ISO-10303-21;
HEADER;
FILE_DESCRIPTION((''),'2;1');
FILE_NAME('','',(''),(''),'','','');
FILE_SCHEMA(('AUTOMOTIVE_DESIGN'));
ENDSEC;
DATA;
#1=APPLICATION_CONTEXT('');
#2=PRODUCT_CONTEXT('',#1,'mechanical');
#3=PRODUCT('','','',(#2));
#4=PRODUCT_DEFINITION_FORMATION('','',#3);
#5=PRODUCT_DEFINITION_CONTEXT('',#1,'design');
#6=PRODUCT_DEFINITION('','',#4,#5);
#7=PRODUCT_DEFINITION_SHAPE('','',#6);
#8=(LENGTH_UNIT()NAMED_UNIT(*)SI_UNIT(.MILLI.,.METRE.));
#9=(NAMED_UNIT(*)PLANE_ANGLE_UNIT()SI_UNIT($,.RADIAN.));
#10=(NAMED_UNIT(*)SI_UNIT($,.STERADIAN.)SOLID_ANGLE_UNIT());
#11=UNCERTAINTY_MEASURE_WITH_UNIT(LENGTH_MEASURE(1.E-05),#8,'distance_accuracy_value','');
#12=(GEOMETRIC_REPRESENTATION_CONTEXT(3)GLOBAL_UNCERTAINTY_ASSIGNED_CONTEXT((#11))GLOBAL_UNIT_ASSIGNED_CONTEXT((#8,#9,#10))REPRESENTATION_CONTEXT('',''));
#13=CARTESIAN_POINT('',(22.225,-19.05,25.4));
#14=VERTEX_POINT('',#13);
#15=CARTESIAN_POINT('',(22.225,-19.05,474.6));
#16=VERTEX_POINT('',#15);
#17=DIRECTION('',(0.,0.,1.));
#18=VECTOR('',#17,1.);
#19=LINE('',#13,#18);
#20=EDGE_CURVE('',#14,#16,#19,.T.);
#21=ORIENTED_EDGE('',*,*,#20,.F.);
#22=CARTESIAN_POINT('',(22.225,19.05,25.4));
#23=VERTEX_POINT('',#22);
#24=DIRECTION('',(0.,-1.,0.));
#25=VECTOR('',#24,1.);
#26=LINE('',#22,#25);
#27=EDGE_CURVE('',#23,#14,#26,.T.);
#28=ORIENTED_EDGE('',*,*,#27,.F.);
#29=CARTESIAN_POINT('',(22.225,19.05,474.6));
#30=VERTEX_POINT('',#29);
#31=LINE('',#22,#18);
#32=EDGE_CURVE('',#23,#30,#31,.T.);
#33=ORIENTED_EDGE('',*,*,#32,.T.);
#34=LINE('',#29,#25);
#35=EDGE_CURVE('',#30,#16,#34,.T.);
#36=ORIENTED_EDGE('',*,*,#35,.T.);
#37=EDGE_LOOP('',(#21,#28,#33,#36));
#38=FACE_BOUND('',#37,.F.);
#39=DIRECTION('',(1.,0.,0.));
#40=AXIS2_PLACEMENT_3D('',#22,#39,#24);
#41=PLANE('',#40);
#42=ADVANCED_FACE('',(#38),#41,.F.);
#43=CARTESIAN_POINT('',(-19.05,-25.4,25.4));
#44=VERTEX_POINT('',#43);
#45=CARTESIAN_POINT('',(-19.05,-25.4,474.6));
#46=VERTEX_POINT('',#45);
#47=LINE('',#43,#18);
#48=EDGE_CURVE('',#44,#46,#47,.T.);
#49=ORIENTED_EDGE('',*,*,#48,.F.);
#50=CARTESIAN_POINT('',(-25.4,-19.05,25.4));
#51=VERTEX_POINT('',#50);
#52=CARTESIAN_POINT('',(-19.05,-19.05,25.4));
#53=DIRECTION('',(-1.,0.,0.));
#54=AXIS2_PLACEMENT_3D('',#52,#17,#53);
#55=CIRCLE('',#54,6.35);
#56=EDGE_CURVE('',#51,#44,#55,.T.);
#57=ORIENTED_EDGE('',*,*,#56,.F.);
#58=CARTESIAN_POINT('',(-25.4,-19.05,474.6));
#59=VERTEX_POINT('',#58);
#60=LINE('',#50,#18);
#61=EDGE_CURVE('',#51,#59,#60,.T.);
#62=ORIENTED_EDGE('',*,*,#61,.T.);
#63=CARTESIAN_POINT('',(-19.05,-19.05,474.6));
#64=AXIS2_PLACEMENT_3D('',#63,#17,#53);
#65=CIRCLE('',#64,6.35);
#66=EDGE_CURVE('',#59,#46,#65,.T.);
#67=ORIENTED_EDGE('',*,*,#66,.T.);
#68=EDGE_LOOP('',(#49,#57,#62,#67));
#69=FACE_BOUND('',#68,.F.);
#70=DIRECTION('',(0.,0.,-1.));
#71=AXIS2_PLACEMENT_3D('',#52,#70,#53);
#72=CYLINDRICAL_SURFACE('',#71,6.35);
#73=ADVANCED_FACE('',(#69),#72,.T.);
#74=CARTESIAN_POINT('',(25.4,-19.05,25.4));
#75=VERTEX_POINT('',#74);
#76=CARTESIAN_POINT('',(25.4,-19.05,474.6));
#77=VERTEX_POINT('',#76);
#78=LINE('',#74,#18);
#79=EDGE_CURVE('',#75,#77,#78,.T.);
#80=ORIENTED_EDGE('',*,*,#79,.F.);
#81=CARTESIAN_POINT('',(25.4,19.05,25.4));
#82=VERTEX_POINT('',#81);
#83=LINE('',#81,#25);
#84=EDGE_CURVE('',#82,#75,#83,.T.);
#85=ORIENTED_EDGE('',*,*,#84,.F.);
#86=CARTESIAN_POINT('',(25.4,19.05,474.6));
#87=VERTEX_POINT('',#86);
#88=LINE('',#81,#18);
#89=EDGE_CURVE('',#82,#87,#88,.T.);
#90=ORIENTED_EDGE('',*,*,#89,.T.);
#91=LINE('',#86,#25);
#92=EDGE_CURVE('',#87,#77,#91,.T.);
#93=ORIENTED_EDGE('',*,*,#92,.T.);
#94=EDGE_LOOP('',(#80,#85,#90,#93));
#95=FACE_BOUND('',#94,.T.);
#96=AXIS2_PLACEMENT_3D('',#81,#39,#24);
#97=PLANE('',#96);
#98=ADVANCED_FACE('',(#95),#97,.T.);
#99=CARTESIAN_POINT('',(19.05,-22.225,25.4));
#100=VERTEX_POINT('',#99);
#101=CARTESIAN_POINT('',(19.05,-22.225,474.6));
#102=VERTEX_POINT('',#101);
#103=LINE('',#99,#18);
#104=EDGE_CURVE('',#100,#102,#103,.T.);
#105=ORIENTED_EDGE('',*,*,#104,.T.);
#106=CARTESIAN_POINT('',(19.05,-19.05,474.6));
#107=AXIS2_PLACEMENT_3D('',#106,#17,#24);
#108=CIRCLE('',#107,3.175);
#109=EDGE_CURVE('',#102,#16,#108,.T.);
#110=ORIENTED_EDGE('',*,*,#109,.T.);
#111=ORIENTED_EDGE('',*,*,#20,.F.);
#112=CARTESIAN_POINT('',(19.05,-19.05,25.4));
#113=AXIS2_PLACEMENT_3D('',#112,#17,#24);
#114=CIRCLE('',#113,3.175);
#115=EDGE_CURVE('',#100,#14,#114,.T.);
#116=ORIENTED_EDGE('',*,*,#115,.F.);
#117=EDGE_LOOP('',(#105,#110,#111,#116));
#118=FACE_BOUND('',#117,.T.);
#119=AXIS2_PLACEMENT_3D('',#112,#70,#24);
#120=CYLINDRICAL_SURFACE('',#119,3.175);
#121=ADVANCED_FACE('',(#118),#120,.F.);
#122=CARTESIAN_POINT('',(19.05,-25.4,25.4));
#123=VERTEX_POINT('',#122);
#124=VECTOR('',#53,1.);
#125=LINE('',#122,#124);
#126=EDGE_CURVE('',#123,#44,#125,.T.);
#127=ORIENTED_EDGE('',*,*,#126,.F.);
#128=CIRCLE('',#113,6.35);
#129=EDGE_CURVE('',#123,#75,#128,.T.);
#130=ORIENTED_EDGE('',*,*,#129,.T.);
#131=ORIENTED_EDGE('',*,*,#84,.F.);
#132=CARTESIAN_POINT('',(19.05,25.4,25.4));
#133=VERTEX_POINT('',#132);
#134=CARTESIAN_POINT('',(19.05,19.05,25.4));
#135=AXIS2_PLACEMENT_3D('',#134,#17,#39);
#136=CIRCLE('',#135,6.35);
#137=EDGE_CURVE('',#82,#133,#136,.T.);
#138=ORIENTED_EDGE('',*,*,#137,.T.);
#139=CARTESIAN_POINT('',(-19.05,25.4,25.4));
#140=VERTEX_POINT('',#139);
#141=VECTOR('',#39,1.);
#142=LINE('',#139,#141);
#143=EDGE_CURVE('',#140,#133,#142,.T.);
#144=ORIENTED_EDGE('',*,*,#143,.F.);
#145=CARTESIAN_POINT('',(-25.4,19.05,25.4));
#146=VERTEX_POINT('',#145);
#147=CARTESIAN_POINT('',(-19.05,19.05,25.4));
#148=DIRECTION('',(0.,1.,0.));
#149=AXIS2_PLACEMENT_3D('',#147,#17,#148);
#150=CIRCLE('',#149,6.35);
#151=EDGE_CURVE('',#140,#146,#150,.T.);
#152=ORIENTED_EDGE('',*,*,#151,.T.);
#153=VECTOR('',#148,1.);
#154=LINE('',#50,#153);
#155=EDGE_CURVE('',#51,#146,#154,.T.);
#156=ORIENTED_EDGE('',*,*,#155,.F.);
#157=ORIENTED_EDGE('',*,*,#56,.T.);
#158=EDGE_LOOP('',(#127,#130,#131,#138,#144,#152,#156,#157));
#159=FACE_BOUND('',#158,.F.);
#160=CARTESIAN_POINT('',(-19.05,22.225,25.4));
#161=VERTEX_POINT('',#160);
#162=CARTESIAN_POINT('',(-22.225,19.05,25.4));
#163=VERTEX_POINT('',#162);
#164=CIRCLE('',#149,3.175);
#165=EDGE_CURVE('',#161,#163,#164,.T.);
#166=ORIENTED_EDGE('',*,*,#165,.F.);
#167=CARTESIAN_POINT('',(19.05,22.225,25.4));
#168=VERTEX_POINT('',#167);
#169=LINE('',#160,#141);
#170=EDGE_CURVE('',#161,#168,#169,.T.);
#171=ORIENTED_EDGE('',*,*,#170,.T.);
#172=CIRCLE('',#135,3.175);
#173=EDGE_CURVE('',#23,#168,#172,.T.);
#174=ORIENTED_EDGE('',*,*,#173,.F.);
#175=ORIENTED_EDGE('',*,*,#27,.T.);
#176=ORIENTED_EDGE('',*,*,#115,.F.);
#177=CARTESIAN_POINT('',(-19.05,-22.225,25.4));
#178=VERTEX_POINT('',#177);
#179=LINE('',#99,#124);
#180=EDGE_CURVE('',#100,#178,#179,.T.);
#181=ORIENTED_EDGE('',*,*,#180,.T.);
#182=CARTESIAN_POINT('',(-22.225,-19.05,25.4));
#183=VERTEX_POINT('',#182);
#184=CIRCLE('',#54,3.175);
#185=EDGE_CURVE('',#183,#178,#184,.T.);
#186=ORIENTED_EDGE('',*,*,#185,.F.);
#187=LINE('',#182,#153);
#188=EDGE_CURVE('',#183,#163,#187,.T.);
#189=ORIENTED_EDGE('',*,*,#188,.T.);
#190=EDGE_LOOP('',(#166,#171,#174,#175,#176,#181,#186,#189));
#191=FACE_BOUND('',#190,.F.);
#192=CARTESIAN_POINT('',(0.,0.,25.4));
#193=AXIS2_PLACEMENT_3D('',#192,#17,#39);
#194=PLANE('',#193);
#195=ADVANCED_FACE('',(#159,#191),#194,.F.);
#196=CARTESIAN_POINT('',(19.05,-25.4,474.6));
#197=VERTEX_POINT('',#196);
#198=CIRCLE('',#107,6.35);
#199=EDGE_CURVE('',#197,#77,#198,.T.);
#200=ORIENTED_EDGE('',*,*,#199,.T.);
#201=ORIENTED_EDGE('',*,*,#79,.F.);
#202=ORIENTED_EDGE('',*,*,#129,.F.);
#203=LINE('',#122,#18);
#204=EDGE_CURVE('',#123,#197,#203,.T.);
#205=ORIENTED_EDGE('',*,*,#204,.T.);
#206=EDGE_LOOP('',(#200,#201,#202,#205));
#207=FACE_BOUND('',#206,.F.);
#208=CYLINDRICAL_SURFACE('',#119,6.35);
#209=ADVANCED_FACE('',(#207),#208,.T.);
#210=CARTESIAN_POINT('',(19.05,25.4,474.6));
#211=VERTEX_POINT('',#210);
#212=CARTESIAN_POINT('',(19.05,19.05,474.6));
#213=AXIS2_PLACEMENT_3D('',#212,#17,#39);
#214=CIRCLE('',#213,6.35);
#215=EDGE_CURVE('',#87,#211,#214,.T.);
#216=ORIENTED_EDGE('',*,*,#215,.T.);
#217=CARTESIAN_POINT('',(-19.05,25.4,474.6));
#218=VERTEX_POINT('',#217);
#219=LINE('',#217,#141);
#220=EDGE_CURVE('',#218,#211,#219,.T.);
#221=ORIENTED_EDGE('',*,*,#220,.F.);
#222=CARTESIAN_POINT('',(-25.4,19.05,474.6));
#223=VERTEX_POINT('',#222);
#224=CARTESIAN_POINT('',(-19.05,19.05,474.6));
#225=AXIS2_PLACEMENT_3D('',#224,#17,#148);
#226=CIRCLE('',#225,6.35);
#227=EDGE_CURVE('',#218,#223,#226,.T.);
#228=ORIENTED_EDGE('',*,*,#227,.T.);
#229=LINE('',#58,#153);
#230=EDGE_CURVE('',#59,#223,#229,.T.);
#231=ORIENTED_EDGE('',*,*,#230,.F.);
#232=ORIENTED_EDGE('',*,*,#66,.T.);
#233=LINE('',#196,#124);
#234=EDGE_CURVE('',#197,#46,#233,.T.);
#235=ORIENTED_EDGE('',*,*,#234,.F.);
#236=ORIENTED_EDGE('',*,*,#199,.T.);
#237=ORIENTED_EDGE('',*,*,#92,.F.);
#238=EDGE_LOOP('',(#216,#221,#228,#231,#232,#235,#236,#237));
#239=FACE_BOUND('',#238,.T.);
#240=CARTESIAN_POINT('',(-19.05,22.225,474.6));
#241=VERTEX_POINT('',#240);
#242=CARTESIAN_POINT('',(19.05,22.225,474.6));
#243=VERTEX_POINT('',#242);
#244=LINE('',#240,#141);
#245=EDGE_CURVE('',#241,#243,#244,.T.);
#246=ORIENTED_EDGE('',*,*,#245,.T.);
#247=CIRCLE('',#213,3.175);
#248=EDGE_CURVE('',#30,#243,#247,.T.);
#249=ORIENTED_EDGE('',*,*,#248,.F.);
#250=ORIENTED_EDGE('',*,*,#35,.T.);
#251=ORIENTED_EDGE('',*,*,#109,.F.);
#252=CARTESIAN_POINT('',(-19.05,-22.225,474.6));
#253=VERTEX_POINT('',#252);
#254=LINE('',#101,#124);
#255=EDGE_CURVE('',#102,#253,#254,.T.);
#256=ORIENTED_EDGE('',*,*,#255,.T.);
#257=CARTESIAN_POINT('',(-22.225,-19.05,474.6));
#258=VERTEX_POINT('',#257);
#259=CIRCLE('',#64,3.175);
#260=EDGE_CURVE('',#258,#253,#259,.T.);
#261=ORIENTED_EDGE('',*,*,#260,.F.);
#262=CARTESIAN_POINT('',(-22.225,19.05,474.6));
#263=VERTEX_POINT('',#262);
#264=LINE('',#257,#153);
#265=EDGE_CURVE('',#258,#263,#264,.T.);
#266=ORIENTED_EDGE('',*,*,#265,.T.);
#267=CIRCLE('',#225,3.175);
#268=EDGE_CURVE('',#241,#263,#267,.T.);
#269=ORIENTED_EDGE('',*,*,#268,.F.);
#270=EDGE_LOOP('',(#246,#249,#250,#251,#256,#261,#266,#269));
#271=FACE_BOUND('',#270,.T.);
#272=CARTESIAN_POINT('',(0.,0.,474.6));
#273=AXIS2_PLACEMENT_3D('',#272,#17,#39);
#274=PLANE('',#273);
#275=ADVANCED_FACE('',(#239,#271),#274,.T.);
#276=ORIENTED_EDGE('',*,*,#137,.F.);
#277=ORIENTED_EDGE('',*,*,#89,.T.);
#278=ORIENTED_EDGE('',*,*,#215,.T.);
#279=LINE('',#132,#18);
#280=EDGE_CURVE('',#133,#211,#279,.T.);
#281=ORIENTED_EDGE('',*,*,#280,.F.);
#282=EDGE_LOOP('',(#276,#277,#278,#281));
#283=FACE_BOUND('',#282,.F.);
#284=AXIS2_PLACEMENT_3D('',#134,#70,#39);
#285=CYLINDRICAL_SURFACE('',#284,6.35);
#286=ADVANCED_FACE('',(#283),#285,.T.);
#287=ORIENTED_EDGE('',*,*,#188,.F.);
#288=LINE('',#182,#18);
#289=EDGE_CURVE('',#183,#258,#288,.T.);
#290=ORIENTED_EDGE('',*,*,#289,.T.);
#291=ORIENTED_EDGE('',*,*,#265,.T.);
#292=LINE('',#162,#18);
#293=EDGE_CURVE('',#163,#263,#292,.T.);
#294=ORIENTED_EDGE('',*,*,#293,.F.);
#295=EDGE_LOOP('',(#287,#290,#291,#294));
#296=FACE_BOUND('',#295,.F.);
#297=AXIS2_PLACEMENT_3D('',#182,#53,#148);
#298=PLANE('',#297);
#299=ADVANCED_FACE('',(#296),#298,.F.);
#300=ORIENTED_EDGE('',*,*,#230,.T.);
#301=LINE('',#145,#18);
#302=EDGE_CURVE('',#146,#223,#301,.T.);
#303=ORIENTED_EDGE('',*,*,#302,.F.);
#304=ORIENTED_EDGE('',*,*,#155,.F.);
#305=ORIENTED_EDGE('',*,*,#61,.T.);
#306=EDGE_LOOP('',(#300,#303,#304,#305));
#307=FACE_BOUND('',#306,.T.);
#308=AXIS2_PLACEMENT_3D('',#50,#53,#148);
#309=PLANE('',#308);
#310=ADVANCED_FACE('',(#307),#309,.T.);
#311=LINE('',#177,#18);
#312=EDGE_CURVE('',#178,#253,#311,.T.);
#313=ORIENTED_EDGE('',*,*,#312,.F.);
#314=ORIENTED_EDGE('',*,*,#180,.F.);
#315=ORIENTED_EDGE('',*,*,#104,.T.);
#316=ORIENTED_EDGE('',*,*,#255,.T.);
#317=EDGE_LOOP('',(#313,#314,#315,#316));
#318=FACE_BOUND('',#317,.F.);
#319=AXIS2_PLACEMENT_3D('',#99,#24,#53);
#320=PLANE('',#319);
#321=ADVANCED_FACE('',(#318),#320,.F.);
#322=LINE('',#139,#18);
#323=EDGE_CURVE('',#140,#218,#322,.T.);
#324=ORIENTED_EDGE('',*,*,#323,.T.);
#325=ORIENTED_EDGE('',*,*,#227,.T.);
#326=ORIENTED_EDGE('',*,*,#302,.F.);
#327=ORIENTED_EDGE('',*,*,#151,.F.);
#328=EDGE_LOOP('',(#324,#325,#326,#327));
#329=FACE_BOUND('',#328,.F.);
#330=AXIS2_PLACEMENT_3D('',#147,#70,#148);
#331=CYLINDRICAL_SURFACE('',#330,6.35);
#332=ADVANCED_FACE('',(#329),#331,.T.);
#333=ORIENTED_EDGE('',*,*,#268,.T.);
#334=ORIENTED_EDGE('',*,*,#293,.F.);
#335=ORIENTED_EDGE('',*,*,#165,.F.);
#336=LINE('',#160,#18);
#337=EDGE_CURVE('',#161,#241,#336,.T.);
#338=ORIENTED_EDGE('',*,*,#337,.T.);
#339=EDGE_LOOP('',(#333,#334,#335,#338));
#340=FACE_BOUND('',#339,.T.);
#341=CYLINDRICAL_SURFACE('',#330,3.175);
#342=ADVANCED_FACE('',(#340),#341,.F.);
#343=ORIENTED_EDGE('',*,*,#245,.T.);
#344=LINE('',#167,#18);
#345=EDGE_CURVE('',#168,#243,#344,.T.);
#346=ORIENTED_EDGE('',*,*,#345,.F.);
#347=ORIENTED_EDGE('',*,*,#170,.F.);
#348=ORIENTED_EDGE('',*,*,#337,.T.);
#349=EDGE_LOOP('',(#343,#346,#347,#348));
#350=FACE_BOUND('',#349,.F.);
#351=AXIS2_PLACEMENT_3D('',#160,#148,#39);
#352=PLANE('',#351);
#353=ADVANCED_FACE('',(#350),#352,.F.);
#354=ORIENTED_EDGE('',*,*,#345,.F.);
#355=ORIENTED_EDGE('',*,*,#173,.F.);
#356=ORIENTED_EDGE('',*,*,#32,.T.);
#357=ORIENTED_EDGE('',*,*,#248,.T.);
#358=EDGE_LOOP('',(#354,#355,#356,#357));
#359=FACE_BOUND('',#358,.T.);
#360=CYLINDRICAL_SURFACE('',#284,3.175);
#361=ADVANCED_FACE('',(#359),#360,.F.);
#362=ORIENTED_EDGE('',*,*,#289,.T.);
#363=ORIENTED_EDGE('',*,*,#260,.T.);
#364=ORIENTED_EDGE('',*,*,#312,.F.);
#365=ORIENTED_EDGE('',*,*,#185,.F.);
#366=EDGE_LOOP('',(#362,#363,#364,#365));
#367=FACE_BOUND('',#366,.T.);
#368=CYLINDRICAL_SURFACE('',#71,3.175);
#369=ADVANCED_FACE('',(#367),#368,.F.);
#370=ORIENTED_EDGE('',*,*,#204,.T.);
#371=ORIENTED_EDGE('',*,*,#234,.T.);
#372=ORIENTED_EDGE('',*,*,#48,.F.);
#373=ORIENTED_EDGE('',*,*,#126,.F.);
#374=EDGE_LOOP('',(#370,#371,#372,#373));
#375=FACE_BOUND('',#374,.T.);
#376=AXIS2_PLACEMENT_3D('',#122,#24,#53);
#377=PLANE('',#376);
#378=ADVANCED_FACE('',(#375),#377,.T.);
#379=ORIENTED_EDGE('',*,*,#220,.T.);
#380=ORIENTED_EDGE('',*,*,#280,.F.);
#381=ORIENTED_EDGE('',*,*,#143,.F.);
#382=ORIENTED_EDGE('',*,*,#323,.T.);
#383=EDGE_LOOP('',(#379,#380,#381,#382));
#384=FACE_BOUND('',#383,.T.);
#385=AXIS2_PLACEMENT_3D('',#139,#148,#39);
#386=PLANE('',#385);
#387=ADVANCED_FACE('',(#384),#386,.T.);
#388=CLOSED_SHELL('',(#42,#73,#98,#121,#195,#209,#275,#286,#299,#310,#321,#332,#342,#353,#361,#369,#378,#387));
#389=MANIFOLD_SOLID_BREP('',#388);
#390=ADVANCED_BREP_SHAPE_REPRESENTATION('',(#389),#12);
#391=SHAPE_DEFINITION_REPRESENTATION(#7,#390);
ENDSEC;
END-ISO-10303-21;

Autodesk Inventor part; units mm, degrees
ref_plane "Plano inicial" through (0, 0, 25.4) normal (0, 0, 1) x (1, 0, 0)
ref_plane "Plano final" through (0, 0, 474.6) normal (0, 0, 1) x (1, 0, 0)
sketch "Boceto" plane through (0, 0, 0) normal (0, 0, 1) x (1, 0, 0)
  line L0 (-25.4, -19.05) -> (-25.4, 19.05)
  line L1 (-19.05, 25.4) -> (19.05, 25.4)
  line L2 (25.4, 19.05) -> (25.4, -19.05)
  line L3 (19.05, -25.4) -> (-19.05, -25.4)
  arc A0 (-25.4, -19.05) -> (-19.05, -25.4) centre (-19.05, -19.05) ccw
  arc A1 (-19.05, 25.4) -> (-25.4, 19.05) centre (-19.05, 19.05) ccw
  arc A2 (25.4, 19.05) -> (19.05, 25.4) centre (19.05, 19.05) ccw
  arc A3 (19.05, -25.4) -> (25.4, -19.05) centre (19.05, -19.05) ccw
  arc A4 (-19.05, 22.225) -> (-22.225, 19.05) centre (-19.05, 19.05) ccw
  line L4 (-19.05, 22.225) -> (19.05, 22.225)
  arc A5 (22.225, 19.05) -> (19.05, 22.225) centre (19.05, 19.05) ccw
  line L5 (22.225, 19.05) -> (22.225, -19.05)
  arc A6 (19.05, -22.225) -> (22.225, -19.05) centre (19.05, -19.05) ccw
  line L6 (19.05, -22.225) -> (-19.05, -22.225)
  arc A7 (-22.225, -19.05) -> (-19.05, -22.225) centre (-19.05, -19.05) ccw
  line L7 (-22.225, -19.05) -> (-22.225, 19.05)
  line L8 (0, 37.4012) -> (0, -37.4012) construction
  line L9 (-37.4012, 0) -> (37.4012, 0) construction
  dimension "d10" = 50.8
  dimension "d11" = 50.8
  dimension "d12" = 3.175
  dimension "d15" = 25.4
  dimension "d16" = 25.4
  dimension "d17" = 6.35
extrude "Cuerpo" add sketch "Boceto" along normal up to surface (449.2 mm away) from surface at 25.4
sketch "Sketch3" plane through (0, 0, 0) normal (0, 0, 1) x (1, 0, 0)
  line L0 (0, 0) -> (10, 0)
ref_plane "Work Plane3" through (0, 0, 0) normal (0, -1, 0) x (1, 0, 0)
ref_plane "Plano de trabajo4" through (19.05, -1590, 25.4) normal (0, 0, -1) x (-1, 0, 0)
split "Dividir1" plane through (19.05, -1590, 25.4) removes the side toward (0, 0, -1)
ref_plane "Plano de trabajo5" through (19.05, 500, 474.6) normal (0, 0, 1) x (1, 0, 0)
split "Dividir2" plane through (19.05, 500, 474.6) removes the side toward (0, 0, 1)
sketch "Sketch4" plane through (0, 0, 0) normal (0, -1, 0) x (1, 0, 0)
  line L0 (-2, 25.4) -> (12, 25.4) projected
  line L1 (-2, 474.6) -> (12, 474.6) projected
  dimension "d19" = 449.2
equation "\"d10\" = G_H"
equation "\"d11\" = G_W"
equation "\"d12\" = G_T"
equation "\"d15\" = 0.5 * d10"
equation "\"d16\" = 0.5 * d11"
equation "\"d17\" = G_IR"
equation "\"d3\" = G_L"
equation "\"G_W\" = 50.8"
equation "\"G_H\" = 50.8"
equation "\"G_T\" = 3.175"
equation "\"G_IR\" = 6.35"
equation "\"G_L\" = d19"
equation "\"G_OFFSET_START\" = -25.4"
equation "\"G_OFFSET_END\" = -25.4"
equation "\"d13\" = -G_OFFSET_START"
equation "\"d14\" = G_OFFSET_END + B_L"
equation "\"B_L\" = 500"
properties part number "AISC - 2 x 2 x 1/8 - 17,685" material "Acero, suave"
